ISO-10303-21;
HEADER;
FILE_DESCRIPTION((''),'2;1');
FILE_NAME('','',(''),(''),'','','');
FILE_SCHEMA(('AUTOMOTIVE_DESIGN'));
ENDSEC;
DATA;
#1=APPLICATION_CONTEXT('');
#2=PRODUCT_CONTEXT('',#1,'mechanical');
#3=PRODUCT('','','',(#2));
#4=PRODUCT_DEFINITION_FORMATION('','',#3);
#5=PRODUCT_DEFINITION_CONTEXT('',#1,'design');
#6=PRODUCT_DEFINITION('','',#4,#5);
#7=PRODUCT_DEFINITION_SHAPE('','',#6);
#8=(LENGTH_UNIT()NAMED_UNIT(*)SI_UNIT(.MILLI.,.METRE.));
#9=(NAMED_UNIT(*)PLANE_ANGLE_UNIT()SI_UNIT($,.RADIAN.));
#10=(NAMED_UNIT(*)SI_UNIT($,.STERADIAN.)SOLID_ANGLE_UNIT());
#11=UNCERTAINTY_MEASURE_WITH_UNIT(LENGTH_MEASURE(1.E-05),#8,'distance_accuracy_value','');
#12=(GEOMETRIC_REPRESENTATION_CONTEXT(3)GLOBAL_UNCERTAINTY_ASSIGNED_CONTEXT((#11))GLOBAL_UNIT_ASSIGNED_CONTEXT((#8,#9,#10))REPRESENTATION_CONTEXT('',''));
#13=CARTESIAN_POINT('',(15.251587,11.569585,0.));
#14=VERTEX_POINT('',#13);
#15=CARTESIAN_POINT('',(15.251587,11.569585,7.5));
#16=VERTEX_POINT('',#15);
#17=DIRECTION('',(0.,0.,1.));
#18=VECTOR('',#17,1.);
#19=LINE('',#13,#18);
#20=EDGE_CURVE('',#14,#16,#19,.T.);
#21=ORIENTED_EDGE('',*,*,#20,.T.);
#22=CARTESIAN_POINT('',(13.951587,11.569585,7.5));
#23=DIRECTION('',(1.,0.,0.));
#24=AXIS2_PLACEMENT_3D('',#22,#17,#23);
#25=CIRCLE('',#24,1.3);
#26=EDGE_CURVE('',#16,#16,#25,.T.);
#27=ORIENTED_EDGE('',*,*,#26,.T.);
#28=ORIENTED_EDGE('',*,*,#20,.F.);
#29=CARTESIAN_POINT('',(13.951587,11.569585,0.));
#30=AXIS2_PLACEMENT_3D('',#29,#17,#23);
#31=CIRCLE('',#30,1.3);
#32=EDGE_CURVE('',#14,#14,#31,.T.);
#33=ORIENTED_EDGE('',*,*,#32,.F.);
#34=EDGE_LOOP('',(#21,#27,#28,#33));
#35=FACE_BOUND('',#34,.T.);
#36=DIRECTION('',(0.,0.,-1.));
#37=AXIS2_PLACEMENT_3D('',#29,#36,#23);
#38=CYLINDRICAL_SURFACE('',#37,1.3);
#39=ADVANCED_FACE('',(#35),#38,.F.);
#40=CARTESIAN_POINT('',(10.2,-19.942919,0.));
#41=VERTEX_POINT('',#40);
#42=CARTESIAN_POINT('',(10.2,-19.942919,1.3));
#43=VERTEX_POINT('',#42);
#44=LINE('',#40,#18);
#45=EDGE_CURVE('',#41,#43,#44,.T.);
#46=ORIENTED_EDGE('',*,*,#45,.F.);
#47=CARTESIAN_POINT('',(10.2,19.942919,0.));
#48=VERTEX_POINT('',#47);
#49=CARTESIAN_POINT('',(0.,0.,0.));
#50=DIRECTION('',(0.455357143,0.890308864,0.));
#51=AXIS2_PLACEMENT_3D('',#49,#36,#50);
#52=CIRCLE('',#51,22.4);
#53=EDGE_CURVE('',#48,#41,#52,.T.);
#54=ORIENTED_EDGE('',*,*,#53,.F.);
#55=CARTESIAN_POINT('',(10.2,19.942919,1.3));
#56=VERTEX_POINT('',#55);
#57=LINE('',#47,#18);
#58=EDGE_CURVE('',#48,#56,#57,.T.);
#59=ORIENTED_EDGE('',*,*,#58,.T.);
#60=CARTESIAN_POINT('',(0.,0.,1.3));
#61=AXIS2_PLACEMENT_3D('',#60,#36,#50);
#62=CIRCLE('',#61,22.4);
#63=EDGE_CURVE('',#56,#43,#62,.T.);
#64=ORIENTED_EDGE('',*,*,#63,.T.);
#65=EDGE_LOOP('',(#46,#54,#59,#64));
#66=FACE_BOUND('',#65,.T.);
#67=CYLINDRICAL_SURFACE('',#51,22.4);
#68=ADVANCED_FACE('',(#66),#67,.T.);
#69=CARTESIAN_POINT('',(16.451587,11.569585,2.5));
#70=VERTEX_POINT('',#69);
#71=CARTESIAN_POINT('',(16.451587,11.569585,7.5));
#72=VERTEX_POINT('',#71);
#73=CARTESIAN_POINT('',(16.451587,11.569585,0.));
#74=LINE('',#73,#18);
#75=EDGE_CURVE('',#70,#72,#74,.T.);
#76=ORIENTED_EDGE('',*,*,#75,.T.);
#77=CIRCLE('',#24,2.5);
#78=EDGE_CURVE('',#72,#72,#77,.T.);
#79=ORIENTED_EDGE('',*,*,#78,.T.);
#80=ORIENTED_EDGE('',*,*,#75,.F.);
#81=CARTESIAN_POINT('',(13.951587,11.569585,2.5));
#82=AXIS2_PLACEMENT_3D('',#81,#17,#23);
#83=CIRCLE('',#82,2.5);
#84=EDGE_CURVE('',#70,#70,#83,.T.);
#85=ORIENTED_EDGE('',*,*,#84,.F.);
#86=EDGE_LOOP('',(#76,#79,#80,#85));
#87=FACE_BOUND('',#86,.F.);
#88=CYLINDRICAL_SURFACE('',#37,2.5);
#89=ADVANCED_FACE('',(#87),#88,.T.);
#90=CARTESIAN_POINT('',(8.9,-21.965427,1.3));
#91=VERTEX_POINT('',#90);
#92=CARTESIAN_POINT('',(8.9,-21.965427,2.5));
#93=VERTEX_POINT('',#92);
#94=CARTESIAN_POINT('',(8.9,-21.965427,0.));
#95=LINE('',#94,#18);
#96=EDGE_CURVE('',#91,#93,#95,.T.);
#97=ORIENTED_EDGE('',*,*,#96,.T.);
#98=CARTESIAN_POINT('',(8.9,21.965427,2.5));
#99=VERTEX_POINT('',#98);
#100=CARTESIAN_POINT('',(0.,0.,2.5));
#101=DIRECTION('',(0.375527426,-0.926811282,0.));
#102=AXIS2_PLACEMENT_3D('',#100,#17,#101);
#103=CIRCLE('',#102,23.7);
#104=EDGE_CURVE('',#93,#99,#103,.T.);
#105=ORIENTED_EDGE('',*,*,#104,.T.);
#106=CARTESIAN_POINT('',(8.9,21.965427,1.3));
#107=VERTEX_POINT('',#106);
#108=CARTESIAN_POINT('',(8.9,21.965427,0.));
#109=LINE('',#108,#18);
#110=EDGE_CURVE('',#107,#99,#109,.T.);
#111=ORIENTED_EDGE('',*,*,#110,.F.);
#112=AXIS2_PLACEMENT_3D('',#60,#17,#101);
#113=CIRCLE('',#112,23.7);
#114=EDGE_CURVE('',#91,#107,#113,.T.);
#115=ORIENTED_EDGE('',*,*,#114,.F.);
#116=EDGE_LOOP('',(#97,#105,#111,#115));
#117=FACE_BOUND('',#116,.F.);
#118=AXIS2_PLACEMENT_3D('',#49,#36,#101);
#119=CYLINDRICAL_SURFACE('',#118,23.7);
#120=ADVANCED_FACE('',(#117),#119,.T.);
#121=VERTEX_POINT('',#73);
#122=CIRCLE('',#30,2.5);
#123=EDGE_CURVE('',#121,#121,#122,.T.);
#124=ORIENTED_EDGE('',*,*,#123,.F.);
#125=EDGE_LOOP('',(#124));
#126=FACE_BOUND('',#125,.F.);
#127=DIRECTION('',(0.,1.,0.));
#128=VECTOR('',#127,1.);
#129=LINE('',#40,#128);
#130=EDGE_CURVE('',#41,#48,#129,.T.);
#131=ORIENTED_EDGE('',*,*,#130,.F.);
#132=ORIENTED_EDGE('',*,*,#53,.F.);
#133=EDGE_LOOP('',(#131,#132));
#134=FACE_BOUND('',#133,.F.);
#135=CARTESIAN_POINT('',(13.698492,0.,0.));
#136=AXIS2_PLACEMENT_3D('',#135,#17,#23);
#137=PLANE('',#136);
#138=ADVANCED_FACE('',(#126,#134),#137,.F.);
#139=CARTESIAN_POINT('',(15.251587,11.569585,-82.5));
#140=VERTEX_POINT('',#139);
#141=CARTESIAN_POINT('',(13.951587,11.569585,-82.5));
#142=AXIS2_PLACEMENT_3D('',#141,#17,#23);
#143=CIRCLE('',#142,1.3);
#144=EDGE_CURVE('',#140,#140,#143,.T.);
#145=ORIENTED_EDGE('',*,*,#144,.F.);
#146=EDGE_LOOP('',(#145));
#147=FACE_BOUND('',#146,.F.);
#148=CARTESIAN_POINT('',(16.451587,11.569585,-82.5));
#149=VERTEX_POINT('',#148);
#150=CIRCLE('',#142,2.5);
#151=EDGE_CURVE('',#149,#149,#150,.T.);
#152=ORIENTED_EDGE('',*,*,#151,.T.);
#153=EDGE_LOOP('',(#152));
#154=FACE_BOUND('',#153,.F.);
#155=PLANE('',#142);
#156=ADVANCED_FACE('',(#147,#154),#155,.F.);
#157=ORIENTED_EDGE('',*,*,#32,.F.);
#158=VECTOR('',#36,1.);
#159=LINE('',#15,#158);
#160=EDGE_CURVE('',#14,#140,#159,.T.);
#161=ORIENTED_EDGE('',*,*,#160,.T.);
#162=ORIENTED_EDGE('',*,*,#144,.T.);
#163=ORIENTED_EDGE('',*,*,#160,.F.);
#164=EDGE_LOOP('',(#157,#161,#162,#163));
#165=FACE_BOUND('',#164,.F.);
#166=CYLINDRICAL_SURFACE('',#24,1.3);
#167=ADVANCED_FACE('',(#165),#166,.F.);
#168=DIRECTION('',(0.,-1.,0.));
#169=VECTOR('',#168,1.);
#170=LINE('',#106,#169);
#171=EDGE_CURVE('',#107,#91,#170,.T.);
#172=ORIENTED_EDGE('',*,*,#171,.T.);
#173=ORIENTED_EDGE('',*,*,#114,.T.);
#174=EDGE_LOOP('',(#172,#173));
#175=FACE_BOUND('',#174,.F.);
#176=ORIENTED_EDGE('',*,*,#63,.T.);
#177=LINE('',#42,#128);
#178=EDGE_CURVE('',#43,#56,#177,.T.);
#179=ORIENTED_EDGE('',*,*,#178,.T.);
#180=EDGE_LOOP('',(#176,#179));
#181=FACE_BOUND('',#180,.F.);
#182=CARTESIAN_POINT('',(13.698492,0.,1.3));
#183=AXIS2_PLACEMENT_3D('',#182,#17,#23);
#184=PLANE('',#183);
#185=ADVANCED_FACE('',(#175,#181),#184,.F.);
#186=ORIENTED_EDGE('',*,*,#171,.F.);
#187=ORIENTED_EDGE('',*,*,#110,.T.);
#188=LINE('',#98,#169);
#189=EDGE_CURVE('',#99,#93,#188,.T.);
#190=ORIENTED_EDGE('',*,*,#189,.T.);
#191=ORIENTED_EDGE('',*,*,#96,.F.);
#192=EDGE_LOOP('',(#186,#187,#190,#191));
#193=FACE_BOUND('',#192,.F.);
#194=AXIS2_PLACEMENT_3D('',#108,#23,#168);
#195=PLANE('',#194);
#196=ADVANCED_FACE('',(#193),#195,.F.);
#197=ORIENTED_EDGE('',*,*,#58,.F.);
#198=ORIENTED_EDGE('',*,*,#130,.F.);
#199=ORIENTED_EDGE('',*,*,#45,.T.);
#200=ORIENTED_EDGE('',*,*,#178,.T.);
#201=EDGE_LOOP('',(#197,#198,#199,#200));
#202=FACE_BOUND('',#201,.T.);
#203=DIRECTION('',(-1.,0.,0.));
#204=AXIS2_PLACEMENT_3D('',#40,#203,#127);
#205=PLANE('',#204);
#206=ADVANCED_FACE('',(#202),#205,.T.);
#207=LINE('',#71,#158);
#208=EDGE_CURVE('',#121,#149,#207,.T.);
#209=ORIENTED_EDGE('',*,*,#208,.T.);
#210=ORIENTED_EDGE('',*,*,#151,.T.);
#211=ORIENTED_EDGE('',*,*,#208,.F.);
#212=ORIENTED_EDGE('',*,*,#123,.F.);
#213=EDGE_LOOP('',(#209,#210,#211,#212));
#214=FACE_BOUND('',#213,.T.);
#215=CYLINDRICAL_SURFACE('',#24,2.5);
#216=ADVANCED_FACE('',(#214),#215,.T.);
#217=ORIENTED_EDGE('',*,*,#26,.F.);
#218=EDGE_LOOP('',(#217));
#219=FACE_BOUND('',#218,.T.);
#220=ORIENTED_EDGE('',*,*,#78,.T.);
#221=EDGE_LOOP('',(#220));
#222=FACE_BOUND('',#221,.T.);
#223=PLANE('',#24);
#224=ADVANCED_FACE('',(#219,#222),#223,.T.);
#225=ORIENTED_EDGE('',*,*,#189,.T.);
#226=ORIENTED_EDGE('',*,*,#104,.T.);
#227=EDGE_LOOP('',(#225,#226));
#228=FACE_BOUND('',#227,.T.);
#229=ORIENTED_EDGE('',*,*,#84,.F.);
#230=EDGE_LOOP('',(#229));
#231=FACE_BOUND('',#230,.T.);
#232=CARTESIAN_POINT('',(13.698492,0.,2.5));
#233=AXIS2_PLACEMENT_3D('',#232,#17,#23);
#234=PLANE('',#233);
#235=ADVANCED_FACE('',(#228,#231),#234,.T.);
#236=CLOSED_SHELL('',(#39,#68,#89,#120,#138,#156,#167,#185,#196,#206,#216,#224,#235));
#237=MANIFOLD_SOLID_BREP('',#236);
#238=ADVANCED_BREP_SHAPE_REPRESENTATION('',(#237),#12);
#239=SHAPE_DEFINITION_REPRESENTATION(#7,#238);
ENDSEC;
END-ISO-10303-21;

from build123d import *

# Parameters (mm, degrees)
F0_R     = 2.5
F1_DEPTH = 2.5
F0_R_2   = 1.3
F2_DEPTH = 7.5
F3_DEPTH = 90
F4_DEPTH = 1.3


with BuildPart() as f1:
    # F0 (on Top) → F1 (new body)
    with BuildSketch(Plane.XY):
        with BuildLine():
            Line((8.9, 21.9654273803), (8.9, -21.9654273803))
            ThreePointArc((8.9, -21.9654273803), (23.7, 0), (8.9, 21.9654273803))
        make_face()
        with BuildLine():
            ThreePointArc((10.2, 19.9429185427), (22.4, 0), (10.2, -19.9429185427))
            Line((10.2, -19.9429185427), (10.2, 19.9429185427))
        make_face(mode=Mode.SUBTRACT)
        with BuildLine():
            Line((10.2, 19.9429185427), (10.2, -19.9429185427))
            ThreePointArc((10.2, -19.9429185427), (22.4, 0), (10.2, 19.9429185427))
        make_face()
        with Locations((13.9515874907, 11.5695847198)):
            Circle(F0_R, mode=Mode.SUBTRACT)
    extrude(amount=F1_DEPTH)

    # F0 (on Top) → F2 (join)
    with BuildSketch(Plane.XY):
        with Locations((13.9515874907, 11.5695847198)):
            Circle(F0_R)
        with Locations((13.9515874907, 11.5695847198)):
            Circle(F0_R_2, mode=Mode.SUBTRACT)
    extrude(amount=F2_DEPTH)

    # F3 (add): a face of the model
    f3_faces = [f1.faces().sort_by_distance(p)[0] for p in [
        (11.5222981689, 11.5695847198, 7.5),
    ]]
    extrude(f3_faces, amount=-F3_DEPTH)

    # F0 (on Top) → F4 (cut)
    with BuildSketch(Plane.XY):
        with BuildLine():
            Line((8.9, 21.9654273803), (8.9, -21.9654273803))
            ThreePointArc((8.9, -21.9654273803), (23.7, 0), (8.9, 21.9654273803))
        make_face()
        with BuildLine():
            ThreePointArc((10.2, 19.9429185427), (22.4, 0), (10.2, -19.9429185427))
            Line((10.2, -19.9429185427), (10.2, 19.9429185427))
        make_face(mode=Mode.SUBTRACT)
    extrude(amount=F4_DEPTH, mode=Mode.SUBTRACT)


solid = f1.part
